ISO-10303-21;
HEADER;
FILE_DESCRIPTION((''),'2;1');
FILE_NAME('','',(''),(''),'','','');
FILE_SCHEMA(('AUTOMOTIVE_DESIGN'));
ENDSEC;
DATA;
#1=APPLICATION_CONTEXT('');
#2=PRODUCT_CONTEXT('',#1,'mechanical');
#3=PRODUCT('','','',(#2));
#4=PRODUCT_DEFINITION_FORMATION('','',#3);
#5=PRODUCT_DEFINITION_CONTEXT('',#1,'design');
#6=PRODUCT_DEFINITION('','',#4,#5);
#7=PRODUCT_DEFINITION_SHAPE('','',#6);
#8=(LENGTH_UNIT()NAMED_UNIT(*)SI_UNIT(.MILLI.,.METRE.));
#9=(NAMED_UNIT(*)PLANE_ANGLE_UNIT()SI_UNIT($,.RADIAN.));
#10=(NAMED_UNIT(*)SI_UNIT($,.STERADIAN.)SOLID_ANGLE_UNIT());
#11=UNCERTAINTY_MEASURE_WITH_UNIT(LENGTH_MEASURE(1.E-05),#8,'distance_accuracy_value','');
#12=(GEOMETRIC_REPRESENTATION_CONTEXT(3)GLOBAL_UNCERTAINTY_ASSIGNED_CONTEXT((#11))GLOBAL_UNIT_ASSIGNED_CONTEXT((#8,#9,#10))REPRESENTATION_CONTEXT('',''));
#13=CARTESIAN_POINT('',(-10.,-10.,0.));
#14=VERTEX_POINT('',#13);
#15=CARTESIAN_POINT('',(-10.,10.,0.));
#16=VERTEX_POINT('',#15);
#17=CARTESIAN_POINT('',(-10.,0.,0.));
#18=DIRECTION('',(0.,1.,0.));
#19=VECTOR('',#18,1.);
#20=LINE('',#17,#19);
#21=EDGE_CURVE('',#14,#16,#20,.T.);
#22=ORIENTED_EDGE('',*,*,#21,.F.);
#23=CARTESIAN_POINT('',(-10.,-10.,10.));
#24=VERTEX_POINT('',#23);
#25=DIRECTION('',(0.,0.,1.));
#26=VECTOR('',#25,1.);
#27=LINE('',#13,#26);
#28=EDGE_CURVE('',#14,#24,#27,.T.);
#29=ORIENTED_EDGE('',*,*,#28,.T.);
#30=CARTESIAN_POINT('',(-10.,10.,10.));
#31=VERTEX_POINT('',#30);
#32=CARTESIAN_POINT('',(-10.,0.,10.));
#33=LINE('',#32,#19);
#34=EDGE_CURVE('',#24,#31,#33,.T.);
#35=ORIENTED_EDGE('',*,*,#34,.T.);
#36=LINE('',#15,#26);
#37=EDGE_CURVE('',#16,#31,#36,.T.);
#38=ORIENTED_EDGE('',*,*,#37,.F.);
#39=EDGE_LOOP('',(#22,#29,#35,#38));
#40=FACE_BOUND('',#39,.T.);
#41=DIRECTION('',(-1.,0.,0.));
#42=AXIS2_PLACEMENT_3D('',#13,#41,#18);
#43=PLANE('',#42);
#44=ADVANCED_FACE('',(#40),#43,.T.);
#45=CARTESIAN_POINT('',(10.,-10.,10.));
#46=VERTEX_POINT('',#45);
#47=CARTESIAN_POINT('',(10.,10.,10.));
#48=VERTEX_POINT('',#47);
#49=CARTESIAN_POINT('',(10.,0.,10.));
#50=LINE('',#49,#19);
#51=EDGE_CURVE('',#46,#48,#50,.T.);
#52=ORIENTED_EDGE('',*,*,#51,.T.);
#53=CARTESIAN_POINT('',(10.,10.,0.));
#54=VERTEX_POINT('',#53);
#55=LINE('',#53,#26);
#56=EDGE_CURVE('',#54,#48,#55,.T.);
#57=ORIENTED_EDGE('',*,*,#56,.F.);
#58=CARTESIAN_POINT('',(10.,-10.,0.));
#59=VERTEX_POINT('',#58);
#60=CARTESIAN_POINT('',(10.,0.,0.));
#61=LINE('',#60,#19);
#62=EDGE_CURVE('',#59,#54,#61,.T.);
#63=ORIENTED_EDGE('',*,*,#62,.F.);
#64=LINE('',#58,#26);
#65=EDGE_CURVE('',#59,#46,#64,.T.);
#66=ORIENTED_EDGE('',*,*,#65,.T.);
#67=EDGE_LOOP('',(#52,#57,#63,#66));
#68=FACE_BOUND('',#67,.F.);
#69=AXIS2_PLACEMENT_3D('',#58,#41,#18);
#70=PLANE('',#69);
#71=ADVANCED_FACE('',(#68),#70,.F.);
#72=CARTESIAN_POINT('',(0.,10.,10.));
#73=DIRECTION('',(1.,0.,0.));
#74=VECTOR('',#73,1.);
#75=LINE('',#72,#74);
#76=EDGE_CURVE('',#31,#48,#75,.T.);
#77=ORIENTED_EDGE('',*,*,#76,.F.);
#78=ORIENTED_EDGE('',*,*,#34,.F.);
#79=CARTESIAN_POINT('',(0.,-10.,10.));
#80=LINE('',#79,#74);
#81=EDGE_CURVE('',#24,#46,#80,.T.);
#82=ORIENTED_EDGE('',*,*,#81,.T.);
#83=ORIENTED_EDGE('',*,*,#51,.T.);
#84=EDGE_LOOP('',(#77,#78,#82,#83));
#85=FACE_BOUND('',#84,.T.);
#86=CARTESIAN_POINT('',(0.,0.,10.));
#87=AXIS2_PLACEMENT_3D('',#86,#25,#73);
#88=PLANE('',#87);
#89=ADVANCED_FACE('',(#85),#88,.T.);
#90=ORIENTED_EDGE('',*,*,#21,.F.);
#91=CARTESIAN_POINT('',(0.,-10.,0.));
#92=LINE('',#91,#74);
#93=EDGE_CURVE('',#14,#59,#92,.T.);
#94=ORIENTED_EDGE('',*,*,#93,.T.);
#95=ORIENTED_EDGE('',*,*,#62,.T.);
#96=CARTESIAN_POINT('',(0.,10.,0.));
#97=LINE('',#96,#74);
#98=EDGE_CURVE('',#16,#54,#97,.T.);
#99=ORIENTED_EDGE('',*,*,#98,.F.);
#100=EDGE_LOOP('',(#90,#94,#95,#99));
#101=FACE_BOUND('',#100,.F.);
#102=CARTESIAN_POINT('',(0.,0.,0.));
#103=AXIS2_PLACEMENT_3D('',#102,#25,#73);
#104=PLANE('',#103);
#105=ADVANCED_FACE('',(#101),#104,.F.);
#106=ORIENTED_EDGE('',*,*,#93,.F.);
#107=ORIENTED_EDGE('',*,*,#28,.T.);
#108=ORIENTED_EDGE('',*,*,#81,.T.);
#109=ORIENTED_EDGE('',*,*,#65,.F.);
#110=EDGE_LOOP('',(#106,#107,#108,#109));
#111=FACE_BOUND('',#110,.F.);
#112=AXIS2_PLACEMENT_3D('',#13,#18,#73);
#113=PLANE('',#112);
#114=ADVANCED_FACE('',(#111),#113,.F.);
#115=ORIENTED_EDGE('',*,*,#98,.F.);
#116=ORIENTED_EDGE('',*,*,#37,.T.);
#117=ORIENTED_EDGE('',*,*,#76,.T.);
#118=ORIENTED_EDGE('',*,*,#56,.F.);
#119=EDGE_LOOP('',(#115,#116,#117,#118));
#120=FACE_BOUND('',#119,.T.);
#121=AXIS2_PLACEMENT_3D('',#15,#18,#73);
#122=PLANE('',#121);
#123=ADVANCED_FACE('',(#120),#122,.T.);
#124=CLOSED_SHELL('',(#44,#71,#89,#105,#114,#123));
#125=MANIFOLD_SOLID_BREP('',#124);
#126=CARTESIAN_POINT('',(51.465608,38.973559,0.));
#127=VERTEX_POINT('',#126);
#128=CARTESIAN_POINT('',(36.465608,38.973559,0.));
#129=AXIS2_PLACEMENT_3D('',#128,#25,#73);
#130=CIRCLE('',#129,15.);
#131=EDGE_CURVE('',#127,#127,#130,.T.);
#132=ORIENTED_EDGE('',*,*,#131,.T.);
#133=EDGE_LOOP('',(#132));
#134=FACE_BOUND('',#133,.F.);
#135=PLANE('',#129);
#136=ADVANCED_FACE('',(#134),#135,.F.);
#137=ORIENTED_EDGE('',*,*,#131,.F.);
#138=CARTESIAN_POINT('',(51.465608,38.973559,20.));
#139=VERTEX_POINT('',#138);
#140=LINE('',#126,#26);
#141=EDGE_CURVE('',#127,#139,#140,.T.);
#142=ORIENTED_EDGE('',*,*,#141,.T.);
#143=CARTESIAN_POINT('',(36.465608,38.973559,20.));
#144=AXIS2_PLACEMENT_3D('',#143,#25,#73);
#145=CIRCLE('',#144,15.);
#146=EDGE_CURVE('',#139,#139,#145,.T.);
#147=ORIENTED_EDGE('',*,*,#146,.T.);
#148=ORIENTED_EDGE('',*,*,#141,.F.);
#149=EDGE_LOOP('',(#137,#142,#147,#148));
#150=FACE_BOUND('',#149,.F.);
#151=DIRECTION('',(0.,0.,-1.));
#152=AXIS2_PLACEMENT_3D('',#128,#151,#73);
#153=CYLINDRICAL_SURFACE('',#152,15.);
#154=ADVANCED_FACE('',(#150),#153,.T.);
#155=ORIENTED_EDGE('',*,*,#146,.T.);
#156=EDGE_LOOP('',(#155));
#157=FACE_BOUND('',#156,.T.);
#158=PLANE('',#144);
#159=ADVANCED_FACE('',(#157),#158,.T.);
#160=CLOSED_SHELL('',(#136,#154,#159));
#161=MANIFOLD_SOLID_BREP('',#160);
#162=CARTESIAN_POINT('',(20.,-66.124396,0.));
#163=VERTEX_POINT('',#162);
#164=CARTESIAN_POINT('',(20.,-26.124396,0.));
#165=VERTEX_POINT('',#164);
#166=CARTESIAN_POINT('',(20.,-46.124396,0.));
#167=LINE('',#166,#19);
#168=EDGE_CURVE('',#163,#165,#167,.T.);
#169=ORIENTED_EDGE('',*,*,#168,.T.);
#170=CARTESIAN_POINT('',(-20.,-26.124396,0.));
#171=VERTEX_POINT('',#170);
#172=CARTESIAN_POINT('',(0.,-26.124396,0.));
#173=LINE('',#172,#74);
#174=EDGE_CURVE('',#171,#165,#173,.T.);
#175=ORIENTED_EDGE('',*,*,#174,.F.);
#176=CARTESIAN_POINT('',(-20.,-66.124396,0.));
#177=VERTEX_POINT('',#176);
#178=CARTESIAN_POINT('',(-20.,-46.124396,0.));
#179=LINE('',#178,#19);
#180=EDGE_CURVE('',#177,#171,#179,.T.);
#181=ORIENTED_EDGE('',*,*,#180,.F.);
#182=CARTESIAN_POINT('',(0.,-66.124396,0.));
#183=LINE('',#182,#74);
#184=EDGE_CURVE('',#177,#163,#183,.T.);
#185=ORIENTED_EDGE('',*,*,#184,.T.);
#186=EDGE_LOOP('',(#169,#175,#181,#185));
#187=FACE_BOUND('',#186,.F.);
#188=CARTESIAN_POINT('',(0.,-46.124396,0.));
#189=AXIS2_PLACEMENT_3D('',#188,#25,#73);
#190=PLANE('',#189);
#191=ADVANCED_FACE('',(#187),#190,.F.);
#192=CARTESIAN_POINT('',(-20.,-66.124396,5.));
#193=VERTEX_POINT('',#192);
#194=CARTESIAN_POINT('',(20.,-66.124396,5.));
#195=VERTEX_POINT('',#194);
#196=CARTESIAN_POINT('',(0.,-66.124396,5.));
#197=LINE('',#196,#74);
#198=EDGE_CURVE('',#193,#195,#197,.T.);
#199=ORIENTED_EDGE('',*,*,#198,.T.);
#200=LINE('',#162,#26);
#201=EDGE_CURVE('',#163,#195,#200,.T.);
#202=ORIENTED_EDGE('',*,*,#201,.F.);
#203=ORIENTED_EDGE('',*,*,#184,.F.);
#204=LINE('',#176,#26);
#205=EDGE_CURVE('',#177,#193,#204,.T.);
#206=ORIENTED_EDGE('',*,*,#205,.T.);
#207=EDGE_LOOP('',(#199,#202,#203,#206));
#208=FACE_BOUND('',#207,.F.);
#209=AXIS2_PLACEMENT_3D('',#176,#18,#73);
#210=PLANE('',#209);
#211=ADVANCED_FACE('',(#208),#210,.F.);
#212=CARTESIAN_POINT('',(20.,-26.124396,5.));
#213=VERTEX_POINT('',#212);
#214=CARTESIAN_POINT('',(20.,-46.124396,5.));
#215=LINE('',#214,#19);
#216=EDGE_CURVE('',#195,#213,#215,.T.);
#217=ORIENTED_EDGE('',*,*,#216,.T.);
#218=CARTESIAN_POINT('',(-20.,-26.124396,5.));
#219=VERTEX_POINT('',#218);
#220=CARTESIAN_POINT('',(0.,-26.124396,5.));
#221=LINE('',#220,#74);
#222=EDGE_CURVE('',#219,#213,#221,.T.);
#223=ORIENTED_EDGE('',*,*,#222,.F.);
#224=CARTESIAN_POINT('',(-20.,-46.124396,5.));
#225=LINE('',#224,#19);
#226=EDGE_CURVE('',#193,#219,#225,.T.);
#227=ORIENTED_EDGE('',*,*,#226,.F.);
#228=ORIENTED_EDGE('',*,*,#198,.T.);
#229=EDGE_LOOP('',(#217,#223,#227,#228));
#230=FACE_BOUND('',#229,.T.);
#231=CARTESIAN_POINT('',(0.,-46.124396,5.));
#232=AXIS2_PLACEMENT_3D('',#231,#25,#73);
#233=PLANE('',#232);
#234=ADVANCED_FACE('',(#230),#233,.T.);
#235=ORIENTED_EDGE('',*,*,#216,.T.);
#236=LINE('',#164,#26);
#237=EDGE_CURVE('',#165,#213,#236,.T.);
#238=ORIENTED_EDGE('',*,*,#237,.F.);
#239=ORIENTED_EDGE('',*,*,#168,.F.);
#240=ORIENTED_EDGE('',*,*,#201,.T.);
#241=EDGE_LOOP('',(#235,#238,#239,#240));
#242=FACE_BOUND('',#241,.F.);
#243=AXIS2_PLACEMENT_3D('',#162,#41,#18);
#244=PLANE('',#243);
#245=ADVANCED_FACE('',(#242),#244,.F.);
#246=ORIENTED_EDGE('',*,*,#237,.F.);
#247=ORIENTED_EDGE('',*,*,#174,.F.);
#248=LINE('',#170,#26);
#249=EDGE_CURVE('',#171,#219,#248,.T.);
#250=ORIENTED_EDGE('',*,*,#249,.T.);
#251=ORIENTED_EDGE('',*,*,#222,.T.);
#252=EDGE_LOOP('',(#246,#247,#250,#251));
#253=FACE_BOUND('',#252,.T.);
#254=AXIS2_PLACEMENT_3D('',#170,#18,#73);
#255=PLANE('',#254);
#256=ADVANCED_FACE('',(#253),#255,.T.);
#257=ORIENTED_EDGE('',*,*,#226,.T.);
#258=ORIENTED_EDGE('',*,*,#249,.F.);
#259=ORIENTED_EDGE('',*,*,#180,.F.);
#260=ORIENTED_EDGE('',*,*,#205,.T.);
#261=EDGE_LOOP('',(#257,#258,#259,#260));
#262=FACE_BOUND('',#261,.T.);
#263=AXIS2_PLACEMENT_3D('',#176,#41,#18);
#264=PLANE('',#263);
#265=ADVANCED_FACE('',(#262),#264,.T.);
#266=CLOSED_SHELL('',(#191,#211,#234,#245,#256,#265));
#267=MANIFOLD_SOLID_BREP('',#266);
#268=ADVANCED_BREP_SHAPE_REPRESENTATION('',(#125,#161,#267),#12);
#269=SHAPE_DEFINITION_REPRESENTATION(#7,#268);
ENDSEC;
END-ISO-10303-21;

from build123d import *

# Parameters (mm, degrees)
F0_W     = 20
F0_H     = 20
F1_DEPTH = 10
F2_W     = 40
F2_H     = 40
F3_DEPTH = 5
F4_R     = 15
F5_DEPTH = 20


with BuildPart() as f1:
    # F0 (on Top) → F1 (new body)
    with BuildSketch(Plane.XY):
        Rectangle(F0_W, F0_H)
    extrude(amount=F1_DEPTH)


with BuildPart() as f3:
    # F2 (on Top) → F3 (new body)
    with BuildSketch(Plane.XY):
        with Locations((0, -46.124396)):
            Rectangle(F2_W, F2_H)
    extrude(amount=F3_DEPTH)


with BuildPart() as f5:
    # F4 (on Top) → F5 (new body)
    with BuildSketch(Plane.XY):
        with Locations((36.465608, 38.973559)):
            Circle(F4_R)
    extrude(amount=F5_DEPTH)


solid = Compound([f1.part, f3.part, f5.part])
